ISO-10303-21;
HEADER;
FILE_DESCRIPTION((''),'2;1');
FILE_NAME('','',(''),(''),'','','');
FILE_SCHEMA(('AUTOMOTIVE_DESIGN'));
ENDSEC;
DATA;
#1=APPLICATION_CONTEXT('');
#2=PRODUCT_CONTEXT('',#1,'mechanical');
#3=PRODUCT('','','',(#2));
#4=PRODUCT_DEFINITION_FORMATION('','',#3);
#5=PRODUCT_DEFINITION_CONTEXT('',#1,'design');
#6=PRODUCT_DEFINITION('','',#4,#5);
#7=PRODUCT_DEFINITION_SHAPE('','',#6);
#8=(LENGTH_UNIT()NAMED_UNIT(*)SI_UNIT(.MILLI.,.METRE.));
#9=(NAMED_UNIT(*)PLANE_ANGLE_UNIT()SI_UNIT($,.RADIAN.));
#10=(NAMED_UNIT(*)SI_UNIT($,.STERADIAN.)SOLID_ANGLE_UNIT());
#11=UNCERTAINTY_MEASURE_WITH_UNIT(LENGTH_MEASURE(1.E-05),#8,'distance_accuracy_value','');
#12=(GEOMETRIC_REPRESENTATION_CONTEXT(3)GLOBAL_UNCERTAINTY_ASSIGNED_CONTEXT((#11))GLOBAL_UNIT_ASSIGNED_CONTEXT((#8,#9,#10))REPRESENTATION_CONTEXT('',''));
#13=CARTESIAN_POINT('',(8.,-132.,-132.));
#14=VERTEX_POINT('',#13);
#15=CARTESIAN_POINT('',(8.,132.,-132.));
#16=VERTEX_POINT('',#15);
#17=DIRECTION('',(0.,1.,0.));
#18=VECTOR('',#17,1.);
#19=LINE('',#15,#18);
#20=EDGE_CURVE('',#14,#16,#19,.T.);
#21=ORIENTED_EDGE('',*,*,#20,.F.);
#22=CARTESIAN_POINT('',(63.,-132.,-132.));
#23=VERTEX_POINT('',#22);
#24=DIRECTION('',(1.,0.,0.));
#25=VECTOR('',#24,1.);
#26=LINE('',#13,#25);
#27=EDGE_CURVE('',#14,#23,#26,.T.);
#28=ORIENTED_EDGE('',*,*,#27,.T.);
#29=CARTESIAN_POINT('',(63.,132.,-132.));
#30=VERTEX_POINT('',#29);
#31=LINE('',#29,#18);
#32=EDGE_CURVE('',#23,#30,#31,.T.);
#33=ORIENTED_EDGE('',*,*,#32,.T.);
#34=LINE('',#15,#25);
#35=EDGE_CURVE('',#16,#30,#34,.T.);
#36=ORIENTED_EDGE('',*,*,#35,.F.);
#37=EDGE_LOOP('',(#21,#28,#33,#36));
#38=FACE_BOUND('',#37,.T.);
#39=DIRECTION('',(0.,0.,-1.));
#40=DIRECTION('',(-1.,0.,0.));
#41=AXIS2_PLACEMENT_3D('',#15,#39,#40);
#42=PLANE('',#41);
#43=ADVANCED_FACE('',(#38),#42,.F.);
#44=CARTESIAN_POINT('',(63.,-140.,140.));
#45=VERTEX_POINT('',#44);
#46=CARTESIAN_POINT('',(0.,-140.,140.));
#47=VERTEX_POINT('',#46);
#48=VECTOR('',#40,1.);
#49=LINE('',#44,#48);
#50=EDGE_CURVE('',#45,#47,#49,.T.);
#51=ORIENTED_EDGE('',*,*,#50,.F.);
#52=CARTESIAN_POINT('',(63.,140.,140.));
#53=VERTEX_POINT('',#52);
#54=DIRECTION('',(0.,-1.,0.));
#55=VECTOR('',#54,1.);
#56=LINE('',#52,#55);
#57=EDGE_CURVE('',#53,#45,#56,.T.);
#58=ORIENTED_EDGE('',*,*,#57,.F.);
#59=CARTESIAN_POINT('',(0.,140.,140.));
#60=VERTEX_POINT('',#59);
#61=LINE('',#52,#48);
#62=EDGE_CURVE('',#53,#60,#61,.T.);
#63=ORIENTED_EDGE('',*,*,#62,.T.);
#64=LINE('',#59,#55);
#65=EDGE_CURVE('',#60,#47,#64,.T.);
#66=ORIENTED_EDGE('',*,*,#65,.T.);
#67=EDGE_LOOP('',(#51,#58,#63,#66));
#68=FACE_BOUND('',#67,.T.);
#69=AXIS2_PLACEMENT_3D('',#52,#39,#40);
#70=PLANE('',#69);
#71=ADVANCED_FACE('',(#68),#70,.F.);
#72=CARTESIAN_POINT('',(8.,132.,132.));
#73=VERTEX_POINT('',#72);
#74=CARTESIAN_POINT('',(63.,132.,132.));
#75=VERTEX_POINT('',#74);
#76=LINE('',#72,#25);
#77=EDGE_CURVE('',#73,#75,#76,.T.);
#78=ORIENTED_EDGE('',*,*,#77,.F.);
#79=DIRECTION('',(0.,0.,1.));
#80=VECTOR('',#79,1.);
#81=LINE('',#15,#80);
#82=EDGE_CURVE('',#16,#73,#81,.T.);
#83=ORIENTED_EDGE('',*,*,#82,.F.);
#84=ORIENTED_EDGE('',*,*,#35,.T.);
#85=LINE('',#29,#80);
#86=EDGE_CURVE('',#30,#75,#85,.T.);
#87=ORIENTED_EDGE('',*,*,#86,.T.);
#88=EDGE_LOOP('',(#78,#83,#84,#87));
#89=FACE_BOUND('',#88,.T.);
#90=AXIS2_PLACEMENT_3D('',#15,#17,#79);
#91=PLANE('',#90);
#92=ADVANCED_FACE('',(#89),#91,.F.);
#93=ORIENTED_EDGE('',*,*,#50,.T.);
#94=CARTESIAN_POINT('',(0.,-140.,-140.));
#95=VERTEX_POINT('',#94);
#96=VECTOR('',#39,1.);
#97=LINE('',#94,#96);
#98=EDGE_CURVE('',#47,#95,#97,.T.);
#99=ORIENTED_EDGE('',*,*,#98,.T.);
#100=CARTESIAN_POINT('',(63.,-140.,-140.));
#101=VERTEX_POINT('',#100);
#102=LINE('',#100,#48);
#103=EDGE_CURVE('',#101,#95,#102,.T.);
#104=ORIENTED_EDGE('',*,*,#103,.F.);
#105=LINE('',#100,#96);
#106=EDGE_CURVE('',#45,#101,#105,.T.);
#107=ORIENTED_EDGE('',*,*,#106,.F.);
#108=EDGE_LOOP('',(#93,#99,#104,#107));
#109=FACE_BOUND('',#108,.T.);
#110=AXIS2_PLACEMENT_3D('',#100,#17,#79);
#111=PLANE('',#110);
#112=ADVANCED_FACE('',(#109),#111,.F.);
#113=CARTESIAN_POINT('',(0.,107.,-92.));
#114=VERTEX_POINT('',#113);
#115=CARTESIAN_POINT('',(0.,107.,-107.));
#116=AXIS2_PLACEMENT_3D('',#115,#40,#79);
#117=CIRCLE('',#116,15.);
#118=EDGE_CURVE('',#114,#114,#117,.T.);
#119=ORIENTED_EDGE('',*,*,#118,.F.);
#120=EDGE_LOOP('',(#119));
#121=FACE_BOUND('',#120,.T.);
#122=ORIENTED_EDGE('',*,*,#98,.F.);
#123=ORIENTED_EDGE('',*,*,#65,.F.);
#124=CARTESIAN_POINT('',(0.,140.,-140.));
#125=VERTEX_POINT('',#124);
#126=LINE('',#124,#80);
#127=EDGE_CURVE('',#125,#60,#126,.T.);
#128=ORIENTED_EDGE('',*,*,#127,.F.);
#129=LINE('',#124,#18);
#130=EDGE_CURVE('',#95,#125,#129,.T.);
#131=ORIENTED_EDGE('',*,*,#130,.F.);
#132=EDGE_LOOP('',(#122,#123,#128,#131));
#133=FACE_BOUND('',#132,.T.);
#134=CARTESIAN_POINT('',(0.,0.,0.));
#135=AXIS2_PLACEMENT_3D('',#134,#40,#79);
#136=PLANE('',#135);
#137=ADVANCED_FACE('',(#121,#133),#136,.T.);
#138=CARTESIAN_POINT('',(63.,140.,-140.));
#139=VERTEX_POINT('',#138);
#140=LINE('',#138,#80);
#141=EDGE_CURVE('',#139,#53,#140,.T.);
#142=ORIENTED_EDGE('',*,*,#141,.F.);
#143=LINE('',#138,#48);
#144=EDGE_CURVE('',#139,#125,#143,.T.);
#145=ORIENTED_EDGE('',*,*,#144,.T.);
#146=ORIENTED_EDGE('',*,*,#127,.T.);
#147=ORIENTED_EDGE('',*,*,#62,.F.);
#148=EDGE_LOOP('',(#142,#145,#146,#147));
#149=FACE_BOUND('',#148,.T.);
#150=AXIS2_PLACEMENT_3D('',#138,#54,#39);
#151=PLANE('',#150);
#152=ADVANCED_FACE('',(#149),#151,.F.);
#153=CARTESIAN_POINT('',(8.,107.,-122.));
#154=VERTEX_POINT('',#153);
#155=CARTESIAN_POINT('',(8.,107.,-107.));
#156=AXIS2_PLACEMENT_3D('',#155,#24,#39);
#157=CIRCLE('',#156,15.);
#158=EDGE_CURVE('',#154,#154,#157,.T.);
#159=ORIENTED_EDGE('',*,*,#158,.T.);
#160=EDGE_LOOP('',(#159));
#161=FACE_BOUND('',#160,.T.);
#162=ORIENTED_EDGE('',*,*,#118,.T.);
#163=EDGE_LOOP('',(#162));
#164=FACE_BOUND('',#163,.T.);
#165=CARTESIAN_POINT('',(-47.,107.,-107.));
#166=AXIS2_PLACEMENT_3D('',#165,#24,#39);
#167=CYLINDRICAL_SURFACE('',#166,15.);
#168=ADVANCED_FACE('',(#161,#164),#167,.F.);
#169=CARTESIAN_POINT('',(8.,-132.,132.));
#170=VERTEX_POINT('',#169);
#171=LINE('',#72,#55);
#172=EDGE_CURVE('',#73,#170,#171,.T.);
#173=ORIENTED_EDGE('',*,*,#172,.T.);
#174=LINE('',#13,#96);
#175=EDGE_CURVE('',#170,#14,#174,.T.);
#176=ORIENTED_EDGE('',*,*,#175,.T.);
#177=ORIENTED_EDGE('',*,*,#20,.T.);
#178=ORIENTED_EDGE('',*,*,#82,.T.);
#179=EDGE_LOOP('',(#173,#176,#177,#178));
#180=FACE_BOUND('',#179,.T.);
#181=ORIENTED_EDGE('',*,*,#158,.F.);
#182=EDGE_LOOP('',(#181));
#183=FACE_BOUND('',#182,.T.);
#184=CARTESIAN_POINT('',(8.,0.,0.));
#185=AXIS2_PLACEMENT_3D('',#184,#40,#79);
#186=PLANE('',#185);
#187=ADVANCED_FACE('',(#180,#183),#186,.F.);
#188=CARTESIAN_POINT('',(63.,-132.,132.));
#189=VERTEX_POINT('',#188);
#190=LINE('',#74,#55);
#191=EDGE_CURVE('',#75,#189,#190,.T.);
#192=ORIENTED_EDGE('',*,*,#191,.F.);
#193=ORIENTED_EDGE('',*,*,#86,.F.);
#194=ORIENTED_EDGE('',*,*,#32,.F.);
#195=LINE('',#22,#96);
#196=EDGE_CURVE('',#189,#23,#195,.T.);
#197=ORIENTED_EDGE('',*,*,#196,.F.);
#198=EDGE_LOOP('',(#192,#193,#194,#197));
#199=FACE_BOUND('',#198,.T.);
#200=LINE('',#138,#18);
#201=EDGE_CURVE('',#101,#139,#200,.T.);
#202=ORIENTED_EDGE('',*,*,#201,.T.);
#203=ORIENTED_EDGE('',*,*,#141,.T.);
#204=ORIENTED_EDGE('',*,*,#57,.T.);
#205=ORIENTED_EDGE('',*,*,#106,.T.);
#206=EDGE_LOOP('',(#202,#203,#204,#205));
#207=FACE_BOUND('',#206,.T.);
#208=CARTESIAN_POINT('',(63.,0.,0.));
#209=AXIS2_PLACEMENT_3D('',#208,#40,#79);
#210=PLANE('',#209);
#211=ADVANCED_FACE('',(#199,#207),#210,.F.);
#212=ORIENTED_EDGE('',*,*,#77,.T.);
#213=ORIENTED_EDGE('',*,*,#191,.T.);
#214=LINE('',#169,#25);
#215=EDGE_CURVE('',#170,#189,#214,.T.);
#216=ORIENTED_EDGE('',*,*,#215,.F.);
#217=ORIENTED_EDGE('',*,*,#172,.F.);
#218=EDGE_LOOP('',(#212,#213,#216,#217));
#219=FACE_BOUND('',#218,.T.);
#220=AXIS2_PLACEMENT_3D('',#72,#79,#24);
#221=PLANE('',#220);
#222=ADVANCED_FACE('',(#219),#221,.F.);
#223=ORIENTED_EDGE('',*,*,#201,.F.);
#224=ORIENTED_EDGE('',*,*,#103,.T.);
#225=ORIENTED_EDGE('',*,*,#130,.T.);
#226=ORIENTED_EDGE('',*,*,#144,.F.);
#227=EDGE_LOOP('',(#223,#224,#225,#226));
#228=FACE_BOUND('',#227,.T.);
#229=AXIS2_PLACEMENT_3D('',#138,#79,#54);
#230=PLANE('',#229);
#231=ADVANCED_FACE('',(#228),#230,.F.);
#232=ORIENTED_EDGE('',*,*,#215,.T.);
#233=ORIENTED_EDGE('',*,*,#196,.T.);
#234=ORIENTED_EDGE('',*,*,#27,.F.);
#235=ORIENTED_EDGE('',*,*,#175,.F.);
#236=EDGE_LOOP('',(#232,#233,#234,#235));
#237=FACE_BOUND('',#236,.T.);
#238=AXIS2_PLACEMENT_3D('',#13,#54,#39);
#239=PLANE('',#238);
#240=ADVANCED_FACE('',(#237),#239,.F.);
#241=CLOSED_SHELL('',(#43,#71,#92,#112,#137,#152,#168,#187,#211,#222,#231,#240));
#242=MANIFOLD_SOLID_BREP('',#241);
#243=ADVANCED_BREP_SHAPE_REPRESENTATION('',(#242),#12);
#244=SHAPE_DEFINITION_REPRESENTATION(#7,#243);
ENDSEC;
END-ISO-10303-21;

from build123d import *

# Parameters (mm, degrees)
SKETCH1_W           = 280
SKETCH1_H           = 280
BOSS_EXTRUDE1_DEPTH = 63
SKETCH2_W           = 264
SKETCH2_H           = 264
CUT_EXTRUDE1_DEPTH  = 55
SKETCH4_R           = 15
CUT_EXTRUDE2_DEPTH  = 55


with BuildPart() as part:
    # Sketch1 → Boss-Extrude1 (new body)
    with BuildSketch(Plane(origin=(0, 0, 0), x_dir=(0, 0, -1), z_dir=(1, 0, 0))):
        Rectangle(SKETCH1_W, SKETCH1_H)
    extrude(amount=BOSS_EXTRUDE1_DEPTH)

    # Sketch2 → Cut-Extrude1 (cut)
    with BuildSketch(Plane(origin=(63, 0, 0), x_dir=(0, 0, -1), z_dir=(1, 0, 0))):
        Rectangle(SKETCH2_W, SKETCH2_H)
    extrude(amount=-CUT_EXTRUDE1_DEPTH, mode=Mode.SUBTRACT)

    # Sketch4 → Cut-Extrude2 (cut)
    with BuildSketch(Plane(origin=(8, 0, 0), x_dir=(0, 0, -1), z_dir=(1, 0, 0))):
        with Locations((107, 107)):
            Circle(SKETCH4_R)
    extrude(amount=-CUT_EXTRUDE2_DEPTH, mode=Mode.SUBTRACT)


solid = part.part
